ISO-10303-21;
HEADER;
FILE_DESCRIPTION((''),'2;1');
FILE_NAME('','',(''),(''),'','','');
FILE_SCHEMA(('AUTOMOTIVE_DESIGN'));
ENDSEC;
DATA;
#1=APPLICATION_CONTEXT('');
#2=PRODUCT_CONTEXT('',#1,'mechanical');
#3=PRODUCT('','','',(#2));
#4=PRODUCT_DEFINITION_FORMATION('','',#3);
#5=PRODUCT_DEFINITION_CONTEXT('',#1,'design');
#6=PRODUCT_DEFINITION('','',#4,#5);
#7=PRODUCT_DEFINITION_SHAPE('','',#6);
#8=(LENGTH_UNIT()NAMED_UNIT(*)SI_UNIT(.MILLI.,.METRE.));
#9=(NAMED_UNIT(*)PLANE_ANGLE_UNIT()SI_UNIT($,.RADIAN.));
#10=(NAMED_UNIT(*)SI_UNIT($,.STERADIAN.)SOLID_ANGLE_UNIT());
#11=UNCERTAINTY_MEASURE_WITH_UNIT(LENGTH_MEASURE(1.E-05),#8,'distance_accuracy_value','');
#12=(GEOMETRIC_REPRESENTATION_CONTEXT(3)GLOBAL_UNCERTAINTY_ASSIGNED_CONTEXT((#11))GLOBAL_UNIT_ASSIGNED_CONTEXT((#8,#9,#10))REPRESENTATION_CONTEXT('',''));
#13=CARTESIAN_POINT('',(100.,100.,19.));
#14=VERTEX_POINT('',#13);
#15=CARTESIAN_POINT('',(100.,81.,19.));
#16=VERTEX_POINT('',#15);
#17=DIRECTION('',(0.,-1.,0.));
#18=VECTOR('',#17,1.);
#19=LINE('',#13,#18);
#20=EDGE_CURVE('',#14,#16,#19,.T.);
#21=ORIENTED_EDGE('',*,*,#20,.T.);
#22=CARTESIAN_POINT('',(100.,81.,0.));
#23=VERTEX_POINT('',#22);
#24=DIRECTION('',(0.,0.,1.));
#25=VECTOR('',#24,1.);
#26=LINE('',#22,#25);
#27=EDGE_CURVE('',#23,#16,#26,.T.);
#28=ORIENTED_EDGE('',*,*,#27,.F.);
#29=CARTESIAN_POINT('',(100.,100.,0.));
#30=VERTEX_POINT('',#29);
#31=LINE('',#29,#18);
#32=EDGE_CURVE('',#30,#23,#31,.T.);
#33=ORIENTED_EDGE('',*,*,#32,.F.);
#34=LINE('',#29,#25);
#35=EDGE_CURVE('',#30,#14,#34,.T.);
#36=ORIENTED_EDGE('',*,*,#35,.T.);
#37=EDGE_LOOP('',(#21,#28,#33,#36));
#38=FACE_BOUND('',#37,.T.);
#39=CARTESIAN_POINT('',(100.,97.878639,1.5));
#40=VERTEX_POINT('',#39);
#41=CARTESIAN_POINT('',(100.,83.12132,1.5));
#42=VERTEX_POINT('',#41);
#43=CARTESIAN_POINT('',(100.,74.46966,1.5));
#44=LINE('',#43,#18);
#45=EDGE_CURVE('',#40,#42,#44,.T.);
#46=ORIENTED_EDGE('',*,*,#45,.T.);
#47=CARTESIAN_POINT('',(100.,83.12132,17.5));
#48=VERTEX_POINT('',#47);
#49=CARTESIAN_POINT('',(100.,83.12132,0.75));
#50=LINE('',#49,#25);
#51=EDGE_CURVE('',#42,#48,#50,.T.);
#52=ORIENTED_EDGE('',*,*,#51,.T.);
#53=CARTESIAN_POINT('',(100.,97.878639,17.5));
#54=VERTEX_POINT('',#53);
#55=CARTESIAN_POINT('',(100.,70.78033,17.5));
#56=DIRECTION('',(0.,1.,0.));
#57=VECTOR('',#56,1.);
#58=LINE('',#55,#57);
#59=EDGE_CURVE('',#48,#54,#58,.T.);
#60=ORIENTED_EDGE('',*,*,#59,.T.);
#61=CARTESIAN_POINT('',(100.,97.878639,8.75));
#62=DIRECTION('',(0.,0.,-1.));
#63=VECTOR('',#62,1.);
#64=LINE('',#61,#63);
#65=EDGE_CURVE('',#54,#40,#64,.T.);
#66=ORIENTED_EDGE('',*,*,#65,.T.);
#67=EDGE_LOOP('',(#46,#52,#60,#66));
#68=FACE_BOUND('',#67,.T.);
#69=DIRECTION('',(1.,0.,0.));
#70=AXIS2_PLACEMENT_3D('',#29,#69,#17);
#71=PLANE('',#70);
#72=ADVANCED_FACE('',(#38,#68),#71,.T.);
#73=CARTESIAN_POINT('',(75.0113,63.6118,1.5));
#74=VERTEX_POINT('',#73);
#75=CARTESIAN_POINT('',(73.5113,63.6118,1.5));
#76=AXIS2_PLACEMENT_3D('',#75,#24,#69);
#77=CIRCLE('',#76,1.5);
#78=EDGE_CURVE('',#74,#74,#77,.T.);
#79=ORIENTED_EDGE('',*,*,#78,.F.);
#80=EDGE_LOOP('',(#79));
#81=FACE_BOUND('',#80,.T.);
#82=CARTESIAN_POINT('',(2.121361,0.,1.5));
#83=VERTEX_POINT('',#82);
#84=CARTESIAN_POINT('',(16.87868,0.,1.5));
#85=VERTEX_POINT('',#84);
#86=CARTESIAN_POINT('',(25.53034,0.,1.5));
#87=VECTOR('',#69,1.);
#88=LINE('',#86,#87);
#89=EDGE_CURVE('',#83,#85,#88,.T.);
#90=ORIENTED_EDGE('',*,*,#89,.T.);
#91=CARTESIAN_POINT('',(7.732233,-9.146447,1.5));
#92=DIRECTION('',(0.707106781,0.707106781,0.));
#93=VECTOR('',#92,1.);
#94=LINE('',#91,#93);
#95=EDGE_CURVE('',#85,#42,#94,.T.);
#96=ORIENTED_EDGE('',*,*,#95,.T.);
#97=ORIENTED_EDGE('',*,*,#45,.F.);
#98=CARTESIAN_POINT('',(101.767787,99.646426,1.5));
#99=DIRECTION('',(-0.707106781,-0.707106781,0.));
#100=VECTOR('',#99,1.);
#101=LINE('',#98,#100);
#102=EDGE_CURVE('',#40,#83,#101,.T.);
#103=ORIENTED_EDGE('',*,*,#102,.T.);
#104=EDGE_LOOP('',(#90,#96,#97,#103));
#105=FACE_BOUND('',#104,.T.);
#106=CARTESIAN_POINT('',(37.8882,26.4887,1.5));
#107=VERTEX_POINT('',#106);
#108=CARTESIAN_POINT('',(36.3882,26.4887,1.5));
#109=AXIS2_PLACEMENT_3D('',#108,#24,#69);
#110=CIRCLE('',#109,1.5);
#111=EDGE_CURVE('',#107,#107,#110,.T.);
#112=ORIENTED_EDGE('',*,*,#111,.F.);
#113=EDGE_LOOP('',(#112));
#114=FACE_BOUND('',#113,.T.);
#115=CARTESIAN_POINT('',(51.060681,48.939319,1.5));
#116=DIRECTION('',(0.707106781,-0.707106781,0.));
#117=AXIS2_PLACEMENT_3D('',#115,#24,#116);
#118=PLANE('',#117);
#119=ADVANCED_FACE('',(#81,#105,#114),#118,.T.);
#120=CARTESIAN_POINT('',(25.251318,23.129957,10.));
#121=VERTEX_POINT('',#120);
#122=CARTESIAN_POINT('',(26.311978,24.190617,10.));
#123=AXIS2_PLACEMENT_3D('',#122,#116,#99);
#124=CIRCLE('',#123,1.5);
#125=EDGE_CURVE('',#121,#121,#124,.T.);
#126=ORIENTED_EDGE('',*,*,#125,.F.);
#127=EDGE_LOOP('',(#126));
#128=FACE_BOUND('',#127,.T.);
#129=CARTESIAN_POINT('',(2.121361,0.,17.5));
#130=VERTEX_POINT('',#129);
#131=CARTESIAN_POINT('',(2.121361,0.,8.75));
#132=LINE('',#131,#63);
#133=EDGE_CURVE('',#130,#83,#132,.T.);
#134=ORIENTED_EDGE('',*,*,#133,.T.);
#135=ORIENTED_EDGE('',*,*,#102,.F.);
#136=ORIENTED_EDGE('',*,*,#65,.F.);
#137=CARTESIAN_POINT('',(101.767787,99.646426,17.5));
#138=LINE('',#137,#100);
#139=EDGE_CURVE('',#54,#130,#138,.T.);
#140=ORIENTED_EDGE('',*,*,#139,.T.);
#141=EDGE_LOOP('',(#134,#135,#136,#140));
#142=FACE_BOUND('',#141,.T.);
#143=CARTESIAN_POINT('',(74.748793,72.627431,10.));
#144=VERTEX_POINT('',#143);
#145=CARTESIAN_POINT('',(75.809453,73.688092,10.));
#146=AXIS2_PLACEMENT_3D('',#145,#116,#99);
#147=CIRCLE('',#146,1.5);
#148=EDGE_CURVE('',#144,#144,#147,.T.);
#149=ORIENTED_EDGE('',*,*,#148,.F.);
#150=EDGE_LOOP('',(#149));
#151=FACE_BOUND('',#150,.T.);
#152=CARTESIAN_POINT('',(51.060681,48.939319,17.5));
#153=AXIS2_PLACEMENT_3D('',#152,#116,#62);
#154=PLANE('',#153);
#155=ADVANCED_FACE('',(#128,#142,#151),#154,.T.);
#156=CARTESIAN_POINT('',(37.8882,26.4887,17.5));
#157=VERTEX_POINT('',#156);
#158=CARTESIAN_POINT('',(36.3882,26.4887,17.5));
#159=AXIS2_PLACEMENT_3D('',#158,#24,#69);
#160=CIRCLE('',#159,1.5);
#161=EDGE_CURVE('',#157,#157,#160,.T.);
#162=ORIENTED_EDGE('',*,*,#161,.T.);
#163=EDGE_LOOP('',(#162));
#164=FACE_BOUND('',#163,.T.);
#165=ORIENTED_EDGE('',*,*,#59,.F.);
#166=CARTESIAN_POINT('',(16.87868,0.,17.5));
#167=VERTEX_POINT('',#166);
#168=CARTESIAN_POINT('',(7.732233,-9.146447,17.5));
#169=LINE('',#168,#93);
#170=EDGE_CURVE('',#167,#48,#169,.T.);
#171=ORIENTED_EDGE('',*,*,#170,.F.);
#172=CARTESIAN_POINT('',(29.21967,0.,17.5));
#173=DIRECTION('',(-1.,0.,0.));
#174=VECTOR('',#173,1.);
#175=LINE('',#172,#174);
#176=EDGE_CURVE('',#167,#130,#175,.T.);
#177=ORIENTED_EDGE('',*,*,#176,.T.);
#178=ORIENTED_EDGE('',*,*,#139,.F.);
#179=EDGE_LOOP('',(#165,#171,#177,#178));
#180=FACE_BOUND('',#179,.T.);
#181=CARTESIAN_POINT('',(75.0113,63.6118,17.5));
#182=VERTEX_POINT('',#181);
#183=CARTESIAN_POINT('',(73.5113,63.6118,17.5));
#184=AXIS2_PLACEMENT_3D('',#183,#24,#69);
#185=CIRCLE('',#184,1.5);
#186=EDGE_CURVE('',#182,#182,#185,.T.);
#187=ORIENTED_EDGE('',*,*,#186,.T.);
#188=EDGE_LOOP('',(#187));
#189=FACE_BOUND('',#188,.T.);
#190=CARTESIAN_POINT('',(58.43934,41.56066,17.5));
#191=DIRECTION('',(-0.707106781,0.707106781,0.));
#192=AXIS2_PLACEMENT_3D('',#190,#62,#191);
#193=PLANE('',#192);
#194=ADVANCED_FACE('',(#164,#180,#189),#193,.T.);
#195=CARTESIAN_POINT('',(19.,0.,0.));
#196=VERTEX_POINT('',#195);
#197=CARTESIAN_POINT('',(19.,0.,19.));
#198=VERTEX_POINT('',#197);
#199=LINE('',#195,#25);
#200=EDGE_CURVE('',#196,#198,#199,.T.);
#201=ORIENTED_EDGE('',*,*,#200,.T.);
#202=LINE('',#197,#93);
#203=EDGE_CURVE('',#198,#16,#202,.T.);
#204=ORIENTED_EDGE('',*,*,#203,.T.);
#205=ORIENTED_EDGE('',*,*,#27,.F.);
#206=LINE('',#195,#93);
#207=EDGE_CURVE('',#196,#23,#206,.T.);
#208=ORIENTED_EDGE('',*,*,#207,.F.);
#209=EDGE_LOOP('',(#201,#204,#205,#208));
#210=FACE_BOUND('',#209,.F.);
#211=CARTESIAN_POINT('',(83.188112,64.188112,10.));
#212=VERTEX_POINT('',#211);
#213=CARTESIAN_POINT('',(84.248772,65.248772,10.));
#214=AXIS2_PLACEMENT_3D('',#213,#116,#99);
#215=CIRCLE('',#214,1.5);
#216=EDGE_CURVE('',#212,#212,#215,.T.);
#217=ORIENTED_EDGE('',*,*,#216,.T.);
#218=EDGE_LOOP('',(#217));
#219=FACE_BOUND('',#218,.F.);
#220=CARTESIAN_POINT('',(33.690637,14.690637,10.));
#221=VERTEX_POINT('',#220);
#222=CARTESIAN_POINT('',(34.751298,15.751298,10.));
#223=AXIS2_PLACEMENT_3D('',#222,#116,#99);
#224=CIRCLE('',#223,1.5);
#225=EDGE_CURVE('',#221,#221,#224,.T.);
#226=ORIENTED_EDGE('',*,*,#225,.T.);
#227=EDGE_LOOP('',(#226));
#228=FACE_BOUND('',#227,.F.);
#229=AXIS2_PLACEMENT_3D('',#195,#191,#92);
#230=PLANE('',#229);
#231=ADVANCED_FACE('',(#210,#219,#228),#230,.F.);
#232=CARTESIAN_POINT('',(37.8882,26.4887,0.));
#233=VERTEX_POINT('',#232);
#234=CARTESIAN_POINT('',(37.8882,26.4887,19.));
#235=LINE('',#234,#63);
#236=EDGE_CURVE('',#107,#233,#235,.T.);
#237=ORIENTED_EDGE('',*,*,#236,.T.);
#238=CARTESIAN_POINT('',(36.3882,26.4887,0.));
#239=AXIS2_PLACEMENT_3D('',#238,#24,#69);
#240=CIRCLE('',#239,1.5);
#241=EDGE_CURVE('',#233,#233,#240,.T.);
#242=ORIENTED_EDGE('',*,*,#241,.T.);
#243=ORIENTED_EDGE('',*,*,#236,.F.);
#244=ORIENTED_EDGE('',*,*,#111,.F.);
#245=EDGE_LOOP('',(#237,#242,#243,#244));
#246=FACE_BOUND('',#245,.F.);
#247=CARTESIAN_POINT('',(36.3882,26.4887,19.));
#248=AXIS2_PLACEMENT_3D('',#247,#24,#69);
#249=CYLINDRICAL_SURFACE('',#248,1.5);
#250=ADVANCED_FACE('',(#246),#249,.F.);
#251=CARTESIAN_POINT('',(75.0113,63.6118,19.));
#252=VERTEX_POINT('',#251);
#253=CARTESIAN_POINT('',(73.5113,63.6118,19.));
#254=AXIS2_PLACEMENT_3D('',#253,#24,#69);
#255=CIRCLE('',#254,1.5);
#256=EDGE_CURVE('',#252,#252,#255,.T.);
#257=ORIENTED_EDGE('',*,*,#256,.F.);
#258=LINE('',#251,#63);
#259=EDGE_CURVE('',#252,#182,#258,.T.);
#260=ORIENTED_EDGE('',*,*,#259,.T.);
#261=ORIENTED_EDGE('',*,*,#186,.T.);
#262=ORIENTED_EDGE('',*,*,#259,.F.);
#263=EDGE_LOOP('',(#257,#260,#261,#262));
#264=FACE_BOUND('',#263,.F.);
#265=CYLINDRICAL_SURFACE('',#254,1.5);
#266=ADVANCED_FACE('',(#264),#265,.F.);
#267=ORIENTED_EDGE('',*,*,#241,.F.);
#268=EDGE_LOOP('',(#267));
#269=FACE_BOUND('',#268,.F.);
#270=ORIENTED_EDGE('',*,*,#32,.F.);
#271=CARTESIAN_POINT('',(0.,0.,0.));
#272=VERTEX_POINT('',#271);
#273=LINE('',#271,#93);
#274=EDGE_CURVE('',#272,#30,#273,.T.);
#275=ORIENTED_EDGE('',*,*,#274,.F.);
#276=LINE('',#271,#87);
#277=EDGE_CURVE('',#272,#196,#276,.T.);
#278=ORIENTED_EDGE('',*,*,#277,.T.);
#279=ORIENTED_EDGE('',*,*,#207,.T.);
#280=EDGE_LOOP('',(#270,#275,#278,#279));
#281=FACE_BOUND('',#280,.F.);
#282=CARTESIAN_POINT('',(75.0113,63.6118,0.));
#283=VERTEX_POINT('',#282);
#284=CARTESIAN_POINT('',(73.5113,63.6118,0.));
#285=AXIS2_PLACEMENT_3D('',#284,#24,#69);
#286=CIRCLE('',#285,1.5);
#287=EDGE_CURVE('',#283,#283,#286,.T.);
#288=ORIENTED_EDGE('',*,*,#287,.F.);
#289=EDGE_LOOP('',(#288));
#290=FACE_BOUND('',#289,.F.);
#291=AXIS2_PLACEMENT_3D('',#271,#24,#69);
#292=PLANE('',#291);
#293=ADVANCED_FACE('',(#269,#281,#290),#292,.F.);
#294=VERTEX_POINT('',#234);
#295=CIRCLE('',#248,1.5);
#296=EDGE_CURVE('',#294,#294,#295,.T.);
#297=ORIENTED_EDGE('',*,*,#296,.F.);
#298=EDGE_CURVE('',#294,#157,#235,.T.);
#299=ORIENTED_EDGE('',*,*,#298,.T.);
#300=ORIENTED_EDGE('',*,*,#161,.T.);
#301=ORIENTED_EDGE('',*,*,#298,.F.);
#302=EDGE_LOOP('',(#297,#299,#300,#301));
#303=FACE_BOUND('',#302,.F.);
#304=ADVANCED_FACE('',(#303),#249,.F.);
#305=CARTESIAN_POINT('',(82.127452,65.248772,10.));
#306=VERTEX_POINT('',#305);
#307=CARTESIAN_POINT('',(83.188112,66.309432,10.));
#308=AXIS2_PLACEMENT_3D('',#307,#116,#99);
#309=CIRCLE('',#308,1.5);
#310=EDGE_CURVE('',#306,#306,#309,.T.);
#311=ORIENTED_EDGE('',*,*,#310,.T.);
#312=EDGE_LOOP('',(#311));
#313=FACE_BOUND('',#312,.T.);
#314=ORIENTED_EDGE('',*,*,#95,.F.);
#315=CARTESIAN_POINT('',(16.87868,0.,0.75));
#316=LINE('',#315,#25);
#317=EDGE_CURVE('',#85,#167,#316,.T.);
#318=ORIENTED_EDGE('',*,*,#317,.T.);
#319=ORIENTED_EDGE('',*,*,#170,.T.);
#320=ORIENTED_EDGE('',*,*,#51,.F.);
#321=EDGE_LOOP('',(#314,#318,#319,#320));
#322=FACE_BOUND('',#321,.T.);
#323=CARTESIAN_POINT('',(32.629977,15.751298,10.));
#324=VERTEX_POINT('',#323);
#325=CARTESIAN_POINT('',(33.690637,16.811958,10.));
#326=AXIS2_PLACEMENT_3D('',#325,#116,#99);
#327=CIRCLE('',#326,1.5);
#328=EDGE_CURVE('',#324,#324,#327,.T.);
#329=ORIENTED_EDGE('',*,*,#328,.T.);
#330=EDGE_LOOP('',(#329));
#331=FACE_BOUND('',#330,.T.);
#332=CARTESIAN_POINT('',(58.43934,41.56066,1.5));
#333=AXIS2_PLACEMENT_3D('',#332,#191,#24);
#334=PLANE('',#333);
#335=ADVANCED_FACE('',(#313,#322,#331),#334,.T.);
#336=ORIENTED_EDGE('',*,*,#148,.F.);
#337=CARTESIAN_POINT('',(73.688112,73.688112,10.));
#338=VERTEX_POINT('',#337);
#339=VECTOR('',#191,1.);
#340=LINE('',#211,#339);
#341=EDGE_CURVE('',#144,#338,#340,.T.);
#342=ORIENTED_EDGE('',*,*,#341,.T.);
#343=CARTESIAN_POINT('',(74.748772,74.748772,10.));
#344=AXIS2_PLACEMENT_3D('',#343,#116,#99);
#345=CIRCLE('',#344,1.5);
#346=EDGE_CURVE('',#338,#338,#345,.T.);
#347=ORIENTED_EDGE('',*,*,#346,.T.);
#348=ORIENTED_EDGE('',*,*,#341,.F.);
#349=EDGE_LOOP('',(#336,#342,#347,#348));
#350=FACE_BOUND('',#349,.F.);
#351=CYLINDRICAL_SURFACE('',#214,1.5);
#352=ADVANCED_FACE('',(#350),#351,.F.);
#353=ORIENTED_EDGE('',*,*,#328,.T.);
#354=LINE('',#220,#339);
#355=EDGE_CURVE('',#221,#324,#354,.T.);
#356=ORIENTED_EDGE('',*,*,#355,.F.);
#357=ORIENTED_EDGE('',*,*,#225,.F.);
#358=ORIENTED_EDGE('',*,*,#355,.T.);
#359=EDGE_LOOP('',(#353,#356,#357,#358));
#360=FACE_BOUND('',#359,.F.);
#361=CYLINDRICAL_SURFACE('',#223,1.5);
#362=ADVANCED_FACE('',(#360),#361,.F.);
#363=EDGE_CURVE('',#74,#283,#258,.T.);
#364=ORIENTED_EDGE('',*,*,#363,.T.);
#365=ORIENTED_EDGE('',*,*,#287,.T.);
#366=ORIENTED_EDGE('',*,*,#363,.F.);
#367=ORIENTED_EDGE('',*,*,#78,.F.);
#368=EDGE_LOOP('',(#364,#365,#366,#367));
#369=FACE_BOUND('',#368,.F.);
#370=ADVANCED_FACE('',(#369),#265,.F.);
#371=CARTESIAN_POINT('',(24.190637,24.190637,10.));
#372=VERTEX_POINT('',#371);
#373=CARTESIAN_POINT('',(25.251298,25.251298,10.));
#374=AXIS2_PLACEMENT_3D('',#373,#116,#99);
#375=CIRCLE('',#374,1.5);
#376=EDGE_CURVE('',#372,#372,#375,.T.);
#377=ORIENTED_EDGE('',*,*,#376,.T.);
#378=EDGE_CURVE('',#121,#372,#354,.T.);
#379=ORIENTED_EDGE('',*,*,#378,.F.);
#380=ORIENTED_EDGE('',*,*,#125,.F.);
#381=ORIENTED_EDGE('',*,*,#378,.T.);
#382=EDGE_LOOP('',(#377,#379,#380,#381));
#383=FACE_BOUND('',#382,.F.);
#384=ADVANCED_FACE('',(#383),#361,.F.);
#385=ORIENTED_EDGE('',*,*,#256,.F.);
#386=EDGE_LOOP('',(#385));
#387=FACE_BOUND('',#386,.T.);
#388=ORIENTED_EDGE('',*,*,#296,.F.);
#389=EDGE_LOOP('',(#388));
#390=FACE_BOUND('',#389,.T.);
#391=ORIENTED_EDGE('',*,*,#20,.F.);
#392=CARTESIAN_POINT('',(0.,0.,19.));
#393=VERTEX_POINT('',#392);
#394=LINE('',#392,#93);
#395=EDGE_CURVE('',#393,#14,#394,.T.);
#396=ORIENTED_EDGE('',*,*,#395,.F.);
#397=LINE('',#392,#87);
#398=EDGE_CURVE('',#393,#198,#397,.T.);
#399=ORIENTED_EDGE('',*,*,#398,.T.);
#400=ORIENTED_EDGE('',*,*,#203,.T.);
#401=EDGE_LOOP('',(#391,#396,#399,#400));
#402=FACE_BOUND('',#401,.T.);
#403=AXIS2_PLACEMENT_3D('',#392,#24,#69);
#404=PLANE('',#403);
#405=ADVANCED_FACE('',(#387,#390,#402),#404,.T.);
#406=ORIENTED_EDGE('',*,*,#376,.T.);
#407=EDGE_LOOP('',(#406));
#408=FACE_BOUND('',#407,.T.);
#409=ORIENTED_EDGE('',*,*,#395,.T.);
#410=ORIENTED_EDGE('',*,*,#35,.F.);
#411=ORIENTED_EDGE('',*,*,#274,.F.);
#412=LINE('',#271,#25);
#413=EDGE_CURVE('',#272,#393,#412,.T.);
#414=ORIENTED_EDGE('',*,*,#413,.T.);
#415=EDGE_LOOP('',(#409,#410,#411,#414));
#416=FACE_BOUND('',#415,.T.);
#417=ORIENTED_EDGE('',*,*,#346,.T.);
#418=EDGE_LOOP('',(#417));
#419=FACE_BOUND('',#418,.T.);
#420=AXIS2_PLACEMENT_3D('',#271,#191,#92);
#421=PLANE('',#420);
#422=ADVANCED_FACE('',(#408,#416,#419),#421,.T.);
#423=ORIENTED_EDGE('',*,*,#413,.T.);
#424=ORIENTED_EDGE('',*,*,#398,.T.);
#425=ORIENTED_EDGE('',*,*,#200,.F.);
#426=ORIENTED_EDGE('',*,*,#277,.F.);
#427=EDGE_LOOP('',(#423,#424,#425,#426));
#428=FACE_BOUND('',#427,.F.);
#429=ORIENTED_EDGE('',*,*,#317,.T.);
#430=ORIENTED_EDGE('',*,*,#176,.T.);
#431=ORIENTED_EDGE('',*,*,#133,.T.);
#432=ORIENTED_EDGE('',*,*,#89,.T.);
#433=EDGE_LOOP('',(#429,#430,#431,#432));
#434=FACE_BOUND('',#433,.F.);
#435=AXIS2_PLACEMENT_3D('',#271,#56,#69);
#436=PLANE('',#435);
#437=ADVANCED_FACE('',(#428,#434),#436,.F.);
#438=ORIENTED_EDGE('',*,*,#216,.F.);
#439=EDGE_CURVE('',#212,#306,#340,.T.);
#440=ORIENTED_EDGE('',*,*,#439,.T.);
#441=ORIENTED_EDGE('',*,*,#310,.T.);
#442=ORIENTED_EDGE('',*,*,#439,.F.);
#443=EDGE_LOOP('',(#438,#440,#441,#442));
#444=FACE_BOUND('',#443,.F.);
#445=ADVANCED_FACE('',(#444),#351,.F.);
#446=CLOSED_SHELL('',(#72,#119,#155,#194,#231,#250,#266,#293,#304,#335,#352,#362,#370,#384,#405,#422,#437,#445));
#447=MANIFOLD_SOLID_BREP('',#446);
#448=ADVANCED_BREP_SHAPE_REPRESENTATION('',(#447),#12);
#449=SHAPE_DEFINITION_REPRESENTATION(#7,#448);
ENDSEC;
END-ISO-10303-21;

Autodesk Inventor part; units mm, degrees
ref_plane "YZ Plane" through (0, 0, 0) normal (1, 0, 0) x (0, 1, 0)
ref_plane "XZ Plane" through (0, 0, 0) normal (0, 1, 0) x (-1, 0, 0)
sketch "Sketch1" plane through (0, 0, 0) normal (0, 0, 1) x (1, 0, 0)
  line L0 (0, 0) -> (100, 0) construction
  line L1 (100, 0) -> (100, 100) construction
  line L2 (100, 100) -> (0, 100) construction
  line L3 (0, 100) -> (0, 0) construction
  line L4 (0, 0) -> (100, 100)
  line L5 (0, 0) -> (19, 0)
  line L6 (100, 100) -> (100, 81)
  line L7 (19, 0) -> (100, 81)
  dimension "d1" = 100
  dimension "d2" = 100
  dimension "d3" = 19
  dimension "d4" = 19
extrude "Extrusion1" add sketch "Sketch1" along normal blind 19
ref_plane "Work Plane1" through (59.5, 40.5, 19) normal (-0.7071, -0.7071, 0) x (-0.7071, 0.7071, 0)
sketch "Sketch2" plane through (59.5, 40.5, 19) normal (-0.7071, -0.7071, 0) x (-0.7071, 0.7071, 0)
  line L0 (13.435, 19) -> (0, 19) projected
  line L1 (13.435, 19) -> (13.435, 0) projected
  line L2 (0, 0) -> (13.435, 0) projected
  line L3 (0, 19) -> (0, 0) projected
  line L4 (11.935, 1.5) -> (11.935, 17.5)
  line L5 (11.935, 17.5) -> (1.5, 17.5)
  line L6 (1.5, 17.5) -> (1.5, 1.5)
  line L7 (1.5, 1.5) -> (11.935, 1.5)
  point P0 (13.435, 19)
  dimension "d7" = 1.5
extrude "Extrusion2" cut sketch "Sketch2" along normal through all both and the other way through all contours L7 L6 L5 L4
sketch "Sketch4" plane through (0, 0, 19) normal (0, 0, 1) x (1, 0, 0)
  line L0 (36.3882, 26.4887) -> (73.5113, 63.6118) construction
  line L1 (54.9497, 45.0503) -> (50, 50) construction
  line L2 (100, 100) -> (0, 0) construction
  circle A0 centre (36.3882, 26.4887) radius 1.5
  circle A1 centre (73.5113, 63.6118) radius 1.5
  line L3 (19, 0) -> (100, 81) projected
  dimension "d22" = 52.5
  dimension "d24" = 7
  dimension "d25" = 3
  dimension "d26" = 3
extrude "Extrusion4" cut sketch "Sketch4" against normal through all
sketch "Sketch5" plane through (100, 81, 19) normal (0.7071, -0.7071, 0) x (-0.7071, -0.7071, 0)
  line L0 (92.2756, 9) -> (22.2756, 9) construction
  line L1 (0, 19) -> (114.5513, 19) projected
  circle A0 centre (92.2756, 9) radius 1.5
  circle A1 centre (22.2756, 9) radius 1.5
  point P0 (127.9863, 19)
  point P1 (57.2756, 19)
  point P2 (57.2756, 9)
  dimension "d29" = 70
  dimension "d30" = 10
  dimension "d31" = 3
  dimension "d32" = 3
extrude "Extrusion5" cut sketch "Sketch5" against normal through all
properties part number "C002" material "Aluminum 6061"
